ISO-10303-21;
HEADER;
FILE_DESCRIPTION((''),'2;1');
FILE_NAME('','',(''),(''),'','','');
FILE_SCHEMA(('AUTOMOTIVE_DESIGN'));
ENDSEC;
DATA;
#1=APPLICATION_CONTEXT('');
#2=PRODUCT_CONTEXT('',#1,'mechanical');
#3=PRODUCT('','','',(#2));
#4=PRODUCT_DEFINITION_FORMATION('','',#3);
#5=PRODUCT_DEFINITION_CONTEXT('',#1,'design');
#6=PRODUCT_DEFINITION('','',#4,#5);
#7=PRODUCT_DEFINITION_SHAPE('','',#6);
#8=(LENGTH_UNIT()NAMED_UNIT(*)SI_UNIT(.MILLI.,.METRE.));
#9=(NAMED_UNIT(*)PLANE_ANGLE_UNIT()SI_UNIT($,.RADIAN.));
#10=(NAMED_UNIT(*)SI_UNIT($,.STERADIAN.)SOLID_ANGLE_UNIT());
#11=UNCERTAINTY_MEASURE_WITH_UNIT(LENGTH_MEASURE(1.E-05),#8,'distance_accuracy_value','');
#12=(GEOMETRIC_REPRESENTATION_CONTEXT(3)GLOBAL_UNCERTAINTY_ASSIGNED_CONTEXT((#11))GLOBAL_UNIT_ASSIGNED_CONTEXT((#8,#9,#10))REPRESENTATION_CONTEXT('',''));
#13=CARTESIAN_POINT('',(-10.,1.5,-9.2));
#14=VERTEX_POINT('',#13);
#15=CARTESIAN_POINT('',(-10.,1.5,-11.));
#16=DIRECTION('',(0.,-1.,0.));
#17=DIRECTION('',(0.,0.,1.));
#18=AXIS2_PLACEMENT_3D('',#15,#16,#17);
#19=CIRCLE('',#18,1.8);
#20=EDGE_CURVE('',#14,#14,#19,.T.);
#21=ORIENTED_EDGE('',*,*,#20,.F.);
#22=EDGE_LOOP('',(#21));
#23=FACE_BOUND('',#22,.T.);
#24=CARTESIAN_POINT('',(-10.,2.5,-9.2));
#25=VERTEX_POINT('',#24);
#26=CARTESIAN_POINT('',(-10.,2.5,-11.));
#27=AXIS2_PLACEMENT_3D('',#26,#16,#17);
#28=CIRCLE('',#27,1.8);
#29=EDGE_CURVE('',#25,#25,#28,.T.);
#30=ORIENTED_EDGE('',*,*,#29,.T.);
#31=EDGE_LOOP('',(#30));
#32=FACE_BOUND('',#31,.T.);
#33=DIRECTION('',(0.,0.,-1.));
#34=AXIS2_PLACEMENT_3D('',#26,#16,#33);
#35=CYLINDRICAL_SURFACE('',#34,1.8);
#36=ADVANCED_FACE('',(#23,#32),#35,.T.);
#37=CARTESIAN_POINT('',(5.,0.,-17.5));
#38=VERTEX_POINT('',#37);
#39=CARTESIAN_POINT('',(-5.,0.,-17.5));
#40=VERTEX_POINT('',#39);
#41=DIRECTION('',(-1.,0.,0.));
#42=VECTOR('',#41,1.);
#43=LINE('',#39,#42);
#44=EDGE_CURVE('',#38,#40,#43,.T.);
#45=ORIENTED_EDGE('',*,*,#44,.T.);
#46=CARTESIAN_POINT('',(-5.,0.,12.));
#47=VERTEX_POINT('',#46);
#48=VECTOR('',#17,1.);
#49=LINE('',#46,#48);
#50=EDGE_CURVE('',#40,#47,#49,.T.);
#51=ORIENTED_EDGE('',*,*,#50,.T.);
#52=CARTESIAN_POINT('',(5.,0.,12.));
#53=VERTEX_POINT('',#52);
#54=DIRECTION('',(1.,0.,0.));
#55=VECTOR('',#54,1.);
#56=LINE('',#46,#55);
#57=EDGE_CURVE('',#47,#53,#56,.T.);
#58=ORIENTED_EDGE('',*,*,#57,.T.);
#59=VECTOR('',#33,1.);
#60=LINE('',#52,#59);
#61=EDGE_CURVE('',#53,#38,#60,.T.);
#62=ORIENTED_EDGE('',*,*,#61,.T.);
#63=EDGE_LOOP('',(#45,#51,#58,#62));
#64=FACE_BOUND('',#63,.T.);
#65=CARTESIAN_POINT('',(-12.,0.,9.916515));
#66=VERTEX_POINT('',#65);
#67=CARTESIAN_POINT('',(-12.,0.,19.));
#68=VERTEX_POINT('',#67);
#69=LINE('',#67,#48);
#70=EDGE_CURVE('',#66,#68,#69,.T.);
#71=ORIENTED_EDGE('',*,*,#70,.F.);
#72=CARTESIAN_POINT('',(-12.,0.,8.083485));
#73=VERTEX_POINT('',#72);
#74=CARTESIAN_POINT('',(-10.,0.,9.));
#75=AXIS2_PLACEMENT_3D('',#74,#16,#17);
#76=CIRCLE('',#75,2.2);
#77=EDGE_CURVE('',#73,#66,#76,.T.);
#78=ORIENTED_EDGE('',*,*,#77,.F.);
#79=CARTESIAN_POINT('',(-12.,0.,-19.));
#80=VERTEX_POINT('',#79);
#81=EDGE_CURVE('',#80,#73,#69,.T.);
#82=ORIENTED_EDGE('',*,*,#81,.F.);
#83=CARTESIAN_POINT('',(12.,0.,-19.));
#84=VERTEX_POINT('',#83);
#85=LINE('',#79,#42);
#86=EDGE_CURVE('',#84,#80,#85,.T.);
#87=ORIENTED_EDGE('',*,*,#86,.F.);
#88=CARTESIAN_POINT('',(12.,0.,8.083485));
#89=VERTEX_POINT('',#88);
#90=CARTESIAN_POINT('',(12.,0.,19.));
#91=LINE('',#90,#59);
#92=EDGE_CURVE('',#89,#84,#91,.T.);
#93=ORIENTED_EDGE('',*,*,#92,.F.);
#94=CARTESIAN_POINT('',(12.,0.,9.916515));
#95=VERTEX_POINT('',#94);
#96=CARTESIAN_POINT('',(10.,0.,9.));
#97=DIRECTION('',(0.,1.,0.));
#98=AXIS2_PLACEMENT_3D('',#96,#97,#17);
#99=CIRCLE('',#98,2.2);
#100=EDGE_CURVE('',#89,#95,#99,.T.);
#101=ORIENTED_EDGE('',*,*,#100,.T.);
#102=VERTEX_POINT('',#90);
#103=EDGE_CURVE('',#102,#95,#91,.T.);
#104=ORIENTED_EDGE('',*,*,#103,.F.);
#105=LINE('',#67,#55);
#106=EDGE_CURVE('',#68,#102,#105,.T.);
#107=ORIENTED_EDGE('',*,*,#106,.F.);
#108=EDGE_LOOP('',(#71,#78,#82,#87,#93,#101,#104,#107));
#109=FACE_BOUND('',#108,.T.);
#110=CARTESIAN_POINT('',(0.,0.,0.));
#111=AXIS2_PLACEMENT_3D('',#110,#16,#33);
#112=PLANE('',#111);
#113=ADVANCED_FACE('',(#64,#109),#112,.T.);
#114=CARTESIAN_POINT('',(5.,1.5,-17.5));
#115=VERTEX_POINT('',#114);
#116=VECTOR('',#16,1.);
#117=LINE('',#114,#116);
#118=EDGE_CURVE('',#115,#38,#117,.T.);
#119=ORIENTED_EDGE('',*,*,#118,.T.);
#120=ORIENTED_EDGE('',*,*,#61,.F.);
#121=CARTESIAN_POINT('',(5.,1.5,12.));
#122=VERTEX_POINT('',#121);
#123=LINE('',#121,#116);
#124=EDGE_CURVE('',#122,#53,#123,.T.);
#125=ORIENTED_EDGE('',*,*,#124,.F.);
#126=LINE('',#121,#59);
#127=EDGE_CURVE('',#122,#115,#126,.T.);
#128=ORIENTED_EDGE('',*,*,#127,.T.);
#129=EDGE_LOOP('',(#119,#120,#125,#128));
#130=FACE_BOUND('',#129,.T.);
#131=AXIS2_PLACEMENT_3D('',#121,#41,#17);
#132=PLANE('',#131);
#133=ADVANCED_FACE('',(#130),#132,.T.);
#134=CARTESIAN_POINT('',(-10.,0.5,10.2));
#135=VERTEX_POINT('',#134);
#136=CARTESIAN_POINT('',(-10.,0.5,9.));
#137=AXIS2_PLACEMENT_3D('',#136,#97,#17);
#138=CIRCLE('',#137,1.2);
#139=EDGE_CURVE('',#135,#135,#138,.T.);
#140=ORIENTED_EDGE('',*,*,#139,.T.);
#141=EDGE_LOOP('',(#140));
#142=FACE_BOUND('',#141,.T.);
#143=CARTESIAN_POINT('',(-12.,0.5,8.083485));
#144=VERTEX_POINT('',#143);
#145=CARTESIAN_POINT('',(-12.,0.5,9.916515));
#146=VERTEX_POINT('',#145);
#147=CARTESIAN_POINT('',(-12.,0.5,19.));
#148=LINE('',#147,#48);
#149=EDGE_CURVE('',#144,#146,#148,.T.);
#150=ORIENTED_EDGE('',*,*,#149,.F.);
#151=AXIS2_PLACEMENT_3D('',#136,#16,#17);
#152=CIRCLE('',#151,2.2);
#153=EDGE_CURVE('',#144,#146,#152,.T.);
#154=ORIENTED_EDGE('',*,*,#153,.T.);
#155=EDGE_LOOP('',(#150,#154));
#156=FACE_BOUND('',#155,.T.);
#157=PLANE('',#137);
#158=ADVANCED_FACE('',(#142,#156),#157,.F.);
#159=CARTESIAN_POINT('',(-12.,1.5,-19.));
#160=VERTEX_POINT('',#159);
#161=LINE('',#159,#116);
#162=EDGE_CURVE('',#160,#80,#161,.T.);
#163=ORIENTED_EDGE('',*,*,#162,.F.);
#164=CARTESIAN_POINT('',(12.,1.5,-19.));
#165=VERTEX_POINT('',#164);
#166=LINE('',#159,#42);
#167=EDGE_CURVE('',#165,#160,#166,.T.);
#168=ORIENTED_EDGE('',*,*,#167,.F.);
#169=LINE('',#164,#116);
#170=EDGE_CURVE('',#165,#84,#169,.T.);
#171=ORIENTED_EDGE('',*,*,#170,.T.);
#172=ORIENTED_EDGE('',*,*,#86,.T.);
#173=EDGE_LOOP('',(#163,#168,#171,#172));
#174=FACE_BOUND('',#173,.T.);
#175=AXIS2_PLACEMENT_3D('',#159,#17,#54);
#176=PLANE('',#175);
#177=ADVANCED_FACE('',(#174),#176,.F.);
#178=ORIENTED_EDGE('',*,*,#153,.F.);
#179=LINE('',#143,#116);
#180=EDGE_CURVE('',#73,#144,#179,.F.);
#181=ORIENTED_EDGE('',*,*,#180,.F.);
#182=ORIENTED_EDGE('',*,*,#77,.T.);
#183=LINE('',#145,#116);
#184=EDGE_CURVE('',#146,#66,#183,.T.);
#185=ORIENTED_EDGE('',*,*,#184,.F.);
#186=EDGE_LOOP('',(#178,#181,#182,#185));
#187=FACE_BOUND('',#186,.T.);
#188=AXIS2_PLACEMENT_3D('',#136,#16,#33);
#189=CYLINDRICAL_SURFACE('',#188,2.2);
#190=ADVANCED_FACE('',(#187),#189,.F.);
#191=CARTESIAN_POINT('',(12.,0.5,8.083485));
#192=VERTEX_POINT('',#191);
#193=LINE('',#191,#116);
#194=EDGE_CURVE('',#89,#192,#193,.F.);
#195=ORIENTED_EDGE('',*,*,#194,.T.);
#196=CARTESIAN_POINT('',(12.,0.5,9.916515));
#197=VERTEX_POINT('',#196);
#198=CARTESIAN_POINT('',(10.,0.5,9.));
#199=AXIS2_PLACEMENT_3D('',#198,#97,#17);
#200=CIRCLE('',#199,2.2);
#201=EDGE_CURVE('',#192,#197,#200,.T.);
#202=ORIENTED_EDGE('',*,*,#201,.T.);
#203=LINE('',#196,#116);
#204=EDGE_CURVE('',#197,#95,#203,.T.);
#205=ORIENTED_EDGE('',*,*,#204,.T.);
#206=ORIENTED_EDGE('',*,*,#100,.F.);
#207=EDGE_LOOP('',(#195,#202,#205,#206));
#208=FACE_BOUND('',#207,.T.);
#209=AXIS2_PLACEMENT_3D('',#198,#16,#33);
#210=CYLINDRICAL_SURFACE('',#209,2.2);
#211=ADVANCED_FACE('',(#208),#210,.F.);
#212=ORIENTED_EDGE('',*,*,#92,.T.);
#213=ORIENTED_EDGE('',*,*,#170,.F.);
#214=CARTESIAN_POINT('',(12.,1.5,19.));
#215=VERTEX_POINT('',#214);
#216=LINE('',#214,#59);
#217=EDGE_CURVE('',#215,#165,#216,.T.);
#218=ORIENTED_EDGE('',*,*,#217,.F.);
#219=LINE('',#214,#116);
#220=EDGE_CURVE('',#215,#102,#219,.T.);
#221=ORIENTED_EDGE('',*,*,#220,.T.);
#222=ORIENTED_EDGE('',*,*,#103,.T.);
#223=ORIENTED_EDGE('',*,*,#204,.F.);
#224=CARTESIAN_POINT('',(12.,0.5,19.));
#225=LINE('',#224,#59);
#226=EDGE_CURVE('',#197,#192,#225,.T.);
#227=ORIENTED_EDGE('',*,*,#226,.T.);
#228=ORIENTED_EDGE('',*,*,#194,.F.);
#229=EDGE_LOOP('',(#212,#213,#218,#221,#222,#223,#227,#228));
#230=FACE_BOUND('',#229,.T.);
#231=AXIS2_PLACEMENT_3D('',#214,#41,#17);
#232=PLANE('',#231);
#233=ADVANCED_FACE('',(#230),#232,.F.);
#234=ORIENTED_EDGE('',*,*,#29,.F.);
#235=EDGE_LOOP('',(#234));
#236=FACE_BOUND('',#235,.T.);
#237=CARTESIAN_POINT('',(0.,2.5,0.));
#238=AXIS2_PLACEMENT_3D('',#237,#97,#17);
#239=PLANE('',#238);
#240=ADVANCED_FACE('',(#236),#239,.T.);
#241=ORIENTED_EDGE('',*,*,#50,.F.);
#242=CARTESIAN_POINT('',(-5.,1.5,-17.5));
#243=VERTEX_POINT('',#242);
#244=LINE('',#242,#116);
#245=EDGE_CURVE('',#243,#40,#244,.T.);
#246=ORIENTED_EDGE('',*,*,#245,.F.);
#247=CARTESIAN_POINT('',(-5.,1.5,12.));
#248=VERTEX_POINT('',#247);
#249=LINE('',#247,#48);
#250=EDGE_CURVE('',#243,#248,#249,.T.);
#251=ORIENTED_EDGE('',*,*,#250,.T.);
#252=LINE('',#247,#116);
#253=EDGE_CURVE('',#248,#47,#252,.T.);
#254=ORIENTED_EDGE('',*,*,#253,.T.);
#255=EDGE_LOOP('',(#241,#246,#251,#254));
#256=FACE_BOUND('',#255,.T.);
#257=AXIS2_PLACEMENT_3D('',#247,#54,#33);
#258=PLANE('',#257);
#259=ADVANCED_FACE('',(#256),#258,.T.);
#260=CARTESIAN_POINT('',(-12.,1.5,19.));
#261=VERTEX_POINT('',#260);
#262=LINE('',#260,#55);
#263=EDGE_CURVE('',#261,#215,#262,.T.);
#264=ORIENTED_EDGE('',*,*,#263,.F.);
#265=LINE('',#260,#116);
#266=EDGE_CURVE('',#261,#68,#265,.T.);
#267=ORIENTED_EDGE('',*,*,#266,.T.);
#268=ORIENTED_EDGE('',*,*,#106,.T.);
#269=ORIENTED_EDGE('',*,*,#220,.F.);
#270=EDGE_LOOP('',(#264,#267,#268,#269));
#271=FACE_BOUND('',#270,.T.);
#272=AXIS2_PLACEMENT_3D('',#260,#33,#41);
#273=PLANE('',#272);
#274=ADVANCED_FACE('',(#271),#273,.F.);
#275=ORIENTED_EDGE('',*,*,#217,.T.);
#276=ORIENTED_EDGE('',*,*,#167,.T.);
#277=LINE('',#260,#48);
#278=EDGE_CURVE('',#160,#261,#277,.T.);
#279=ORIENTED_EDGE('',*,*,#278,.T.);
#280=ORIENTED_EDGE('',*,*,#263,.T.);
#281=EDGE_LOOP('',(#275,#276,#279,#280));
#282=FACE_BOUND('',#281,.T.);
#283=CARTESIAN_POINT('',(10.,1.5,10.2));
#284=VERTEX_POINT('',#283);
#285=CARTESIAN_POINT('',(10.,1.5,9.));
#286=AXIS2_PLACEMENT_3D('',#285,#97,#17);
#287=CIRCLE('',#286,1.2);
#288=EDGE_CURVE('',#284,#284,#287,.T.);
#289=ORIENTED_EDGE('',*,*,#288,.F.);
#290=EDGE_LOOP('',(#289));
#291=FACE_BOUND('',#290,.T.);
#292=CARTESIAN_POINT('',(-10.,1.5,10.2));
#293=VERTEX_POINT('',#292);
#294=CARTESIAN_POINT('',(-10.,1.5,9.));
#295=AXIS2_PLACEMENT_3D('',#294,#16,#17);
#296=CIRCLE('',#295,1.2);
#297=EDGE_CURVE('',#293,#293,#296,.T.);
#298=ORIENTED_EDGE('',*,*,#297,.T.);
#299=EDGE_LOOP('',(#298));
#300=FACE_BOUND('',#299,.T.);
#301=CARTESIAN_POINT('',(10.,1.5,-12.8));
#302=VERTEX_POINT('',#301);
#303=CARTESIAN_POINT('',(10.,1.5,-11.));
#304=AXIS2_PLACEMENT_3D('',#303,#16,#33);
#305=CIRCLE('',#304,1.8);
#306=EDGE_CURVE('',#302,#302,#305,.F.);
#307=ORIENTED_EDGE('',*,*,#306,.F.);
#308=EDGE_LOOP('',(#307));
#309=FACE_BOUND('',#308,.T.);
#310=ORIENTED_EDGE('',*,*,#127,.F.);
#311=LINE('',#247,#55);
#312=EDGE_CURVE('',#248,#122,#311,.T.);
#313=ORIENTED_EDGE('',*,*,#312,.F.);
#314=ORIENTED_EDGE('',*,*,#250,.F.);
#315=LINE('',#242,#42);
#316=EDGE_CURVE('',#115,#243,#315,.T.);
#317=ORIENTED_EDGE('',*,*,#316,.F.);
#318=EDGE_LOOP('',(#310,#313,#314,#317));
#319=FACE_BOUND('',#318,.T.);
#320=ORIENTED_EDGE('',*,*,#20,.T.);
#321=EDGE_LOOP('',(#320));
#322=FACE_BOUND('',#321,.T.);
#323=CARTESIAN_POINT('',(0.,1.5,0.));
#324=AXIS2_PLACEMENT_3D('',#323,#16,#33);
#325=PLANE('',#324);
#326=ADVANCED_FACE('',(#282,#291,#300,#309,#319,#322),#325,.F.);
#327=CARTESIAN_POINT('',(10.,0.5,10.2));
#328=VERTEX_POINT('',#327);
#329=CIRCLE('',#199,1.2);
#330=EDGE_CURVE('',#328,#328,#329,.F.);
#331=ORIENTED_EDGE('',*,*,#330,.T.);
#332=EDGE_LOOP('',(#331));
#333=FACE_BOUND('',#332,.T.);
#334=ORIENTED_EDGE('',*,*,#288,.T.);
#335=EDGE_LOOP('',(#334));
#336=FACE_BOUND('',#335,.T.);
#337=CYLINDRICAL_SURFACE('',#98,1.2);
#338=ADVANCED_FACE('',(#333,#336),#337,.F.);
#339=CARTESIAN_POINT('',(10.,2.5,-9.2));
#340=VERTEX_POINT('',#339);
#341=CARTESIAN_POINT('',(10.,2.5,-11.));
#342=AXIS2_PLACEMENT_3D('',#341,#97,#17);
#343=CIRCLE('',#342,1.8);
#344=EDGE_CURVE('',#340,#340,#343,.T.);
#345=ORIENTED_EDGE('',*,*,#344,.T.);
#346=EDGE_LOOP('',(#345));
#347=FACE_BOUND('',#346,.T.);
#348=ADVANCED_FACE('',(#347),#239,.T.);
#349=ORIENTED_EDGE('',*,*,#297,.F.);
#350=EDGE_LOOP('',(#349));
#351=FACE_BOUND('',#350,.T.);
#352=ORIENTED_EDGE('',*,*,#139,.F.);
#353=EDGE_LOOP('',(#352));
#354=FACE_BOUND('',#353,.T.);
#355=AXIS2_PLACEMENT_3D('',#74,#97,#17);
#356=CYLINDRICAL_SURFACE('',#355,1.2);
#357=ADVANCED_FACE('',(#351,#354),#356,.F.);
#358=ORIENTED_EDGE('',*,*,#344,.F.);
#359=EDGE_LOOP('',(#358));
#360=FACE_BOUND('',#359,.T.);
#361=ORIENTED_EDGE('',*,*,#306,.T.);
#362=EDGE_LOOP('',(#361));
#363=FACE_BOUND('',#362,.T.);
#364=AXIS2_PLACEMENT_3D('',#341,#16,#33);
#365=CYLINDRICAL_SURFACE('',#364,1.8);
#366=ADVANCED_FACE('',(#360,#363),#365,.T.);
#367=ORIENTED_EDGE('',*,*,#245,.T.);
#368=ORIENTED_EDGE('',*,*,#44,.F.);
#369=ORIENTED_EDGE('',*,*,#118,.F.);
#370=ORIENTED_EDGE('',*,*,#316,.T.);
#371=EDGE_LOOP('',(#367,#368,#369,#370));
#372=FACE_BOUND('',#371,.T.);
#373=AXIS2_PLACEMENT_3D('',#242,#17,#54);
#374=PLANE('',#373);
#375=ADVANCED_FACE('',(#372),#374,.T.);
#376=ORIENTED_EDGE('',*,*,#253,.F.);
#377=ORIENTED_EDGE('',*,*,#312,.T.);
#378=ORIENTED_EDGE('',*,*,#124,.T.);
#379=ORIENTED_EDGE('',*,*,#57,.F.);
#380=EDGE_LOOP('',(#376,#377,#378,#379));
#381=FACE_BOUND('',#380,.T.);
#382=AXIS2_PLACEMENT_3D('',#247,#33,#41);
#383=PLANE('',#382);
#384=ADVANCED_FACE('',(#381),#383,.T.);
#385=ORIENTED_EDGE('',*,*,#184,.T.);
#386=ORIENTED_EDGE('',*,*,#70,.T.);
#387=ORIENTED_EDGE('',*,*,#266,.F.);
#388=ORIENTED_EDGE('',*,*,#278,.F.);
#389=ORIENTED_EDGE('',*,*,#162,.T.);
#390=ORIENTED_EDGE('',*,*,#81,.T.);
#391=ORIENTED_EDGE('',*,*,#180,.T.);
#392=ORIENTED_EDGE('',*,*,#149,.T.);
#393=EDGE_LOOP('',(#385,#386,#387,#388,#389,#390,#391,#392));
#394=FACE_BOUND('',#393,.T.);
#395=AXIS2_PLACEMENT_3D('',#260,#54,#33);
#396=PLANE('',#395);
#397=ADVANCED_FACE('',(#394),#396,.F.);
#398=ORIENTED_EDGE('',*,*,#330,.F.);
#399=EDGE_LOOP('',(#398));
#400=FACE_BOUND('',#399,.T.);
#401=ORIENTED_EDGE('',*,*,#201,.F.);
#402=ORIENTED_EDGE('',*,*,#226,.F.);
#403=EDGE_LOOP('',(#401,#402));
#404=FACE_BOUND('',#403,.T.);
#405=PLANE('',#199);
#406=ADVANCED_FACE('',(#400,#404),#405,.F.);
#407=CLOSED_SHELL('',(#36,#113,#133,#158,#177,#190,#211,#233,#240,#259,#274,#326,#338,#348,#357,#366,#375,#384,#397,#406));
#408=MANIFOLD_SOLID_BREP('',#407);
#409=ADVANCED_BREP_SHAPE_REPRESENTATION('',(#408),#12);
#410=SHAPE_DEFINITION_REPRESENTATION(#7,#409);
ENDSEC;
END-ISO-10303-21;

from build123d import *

# Parameters (mm, degrees)
ESQUISSE1_W           = 24
ESQUISSE1_H           = 38
ESQUISSE1_W_2         = 10
ESQUISSE1_H_2         = 29.5
SHAPE_DEPTH           = 1.5
ESQUISSE2_R           = 1.2
VISHOLES_DEPTH        = 1.5
ESQUISSE3_R           = 1.8
LOCKERS_DEPTH         = 1
ESQUISSE4_R           = 2.2
SCREWHATREMOVER_DEPTH = 0.5


with BuildPart() as part:
    # Esquisse1 → Shape (new body)
    with BuildSketch(Plane(origin=(0, 0, 0), x_dir=(1, 0, 0), z_dir=(0, 1, 0))):
        Rectangle(ESQUISSE1_W, ESQUISSE1_H)
        with Locations((0, 2.75)):
            Rectangle(ESQUISSE1_W_2, ESQUISSE1_H_2, mode=Mode.SUBTRACT)
    extrude(amount=SHAPE_DEPTH)

    # Esquisse2 → VisHoles (cut)
    with BuildSketch(Plane(origin=(0, 1.5, 0), x_dir=(1, 0, 0), z_dir=(0, 1, 0))):
        with Locations(Location((10, -9, 0), (0, 0, 270))):
            Circle(ESQUISSE2_R)
    visholes = extrude(amount=-VISHOLES_DEPTH, mode=Mode.SUBTRACT)

    # Esquisse3 → Lockers (add)
    with BuildSketch(Plane(origin=(0, 1.5, 0), x_dir=(1, 0, 0), z_dir=(0, 1, 0))):
        with Locations(Location((10, 11, 0), (0, 0, 90))):
            Circle(ESQUISSE3_R)
    lockers = extrude(amount=LOCKERS_DEPTH)

    # Esquisse4 → ScrewHatRemover (cut)
    with BuildSketch(Plane(origin=(0, 0, 0), x_dir=(1, 0, 0), z_dir=(0, 1, 0))):
        with Locations((10, -9)):
            Circle(ESQUISSE4_R)
    screwhatremover = extrude(amount=SCREWHATREMOVER_DEPTH, mode=Mode.SUBTRACT)

    # Symétrie1: VisHoles, Lockers, ScrewHatRemover across plane
    add(visholes.mirror(Plane(origin=(0, 0, 0), x_dir=(0, 0, 1), z_dir=(1, 0, 0))), mode=Mode.SUBTRACT)
    add(lockers.mirror(Plane(origin=(0, 0, 0), x_dir=(0, 0, 1), z_dir=(1, 0, 0))))
    add(screwhatremover.mirror(Plane(origin=(0, 0, 0), x_dir=(0, 0, 1), z_dir=(1, 0, 0))), mode=Mode.SUBTRACT)


solid = part.part
